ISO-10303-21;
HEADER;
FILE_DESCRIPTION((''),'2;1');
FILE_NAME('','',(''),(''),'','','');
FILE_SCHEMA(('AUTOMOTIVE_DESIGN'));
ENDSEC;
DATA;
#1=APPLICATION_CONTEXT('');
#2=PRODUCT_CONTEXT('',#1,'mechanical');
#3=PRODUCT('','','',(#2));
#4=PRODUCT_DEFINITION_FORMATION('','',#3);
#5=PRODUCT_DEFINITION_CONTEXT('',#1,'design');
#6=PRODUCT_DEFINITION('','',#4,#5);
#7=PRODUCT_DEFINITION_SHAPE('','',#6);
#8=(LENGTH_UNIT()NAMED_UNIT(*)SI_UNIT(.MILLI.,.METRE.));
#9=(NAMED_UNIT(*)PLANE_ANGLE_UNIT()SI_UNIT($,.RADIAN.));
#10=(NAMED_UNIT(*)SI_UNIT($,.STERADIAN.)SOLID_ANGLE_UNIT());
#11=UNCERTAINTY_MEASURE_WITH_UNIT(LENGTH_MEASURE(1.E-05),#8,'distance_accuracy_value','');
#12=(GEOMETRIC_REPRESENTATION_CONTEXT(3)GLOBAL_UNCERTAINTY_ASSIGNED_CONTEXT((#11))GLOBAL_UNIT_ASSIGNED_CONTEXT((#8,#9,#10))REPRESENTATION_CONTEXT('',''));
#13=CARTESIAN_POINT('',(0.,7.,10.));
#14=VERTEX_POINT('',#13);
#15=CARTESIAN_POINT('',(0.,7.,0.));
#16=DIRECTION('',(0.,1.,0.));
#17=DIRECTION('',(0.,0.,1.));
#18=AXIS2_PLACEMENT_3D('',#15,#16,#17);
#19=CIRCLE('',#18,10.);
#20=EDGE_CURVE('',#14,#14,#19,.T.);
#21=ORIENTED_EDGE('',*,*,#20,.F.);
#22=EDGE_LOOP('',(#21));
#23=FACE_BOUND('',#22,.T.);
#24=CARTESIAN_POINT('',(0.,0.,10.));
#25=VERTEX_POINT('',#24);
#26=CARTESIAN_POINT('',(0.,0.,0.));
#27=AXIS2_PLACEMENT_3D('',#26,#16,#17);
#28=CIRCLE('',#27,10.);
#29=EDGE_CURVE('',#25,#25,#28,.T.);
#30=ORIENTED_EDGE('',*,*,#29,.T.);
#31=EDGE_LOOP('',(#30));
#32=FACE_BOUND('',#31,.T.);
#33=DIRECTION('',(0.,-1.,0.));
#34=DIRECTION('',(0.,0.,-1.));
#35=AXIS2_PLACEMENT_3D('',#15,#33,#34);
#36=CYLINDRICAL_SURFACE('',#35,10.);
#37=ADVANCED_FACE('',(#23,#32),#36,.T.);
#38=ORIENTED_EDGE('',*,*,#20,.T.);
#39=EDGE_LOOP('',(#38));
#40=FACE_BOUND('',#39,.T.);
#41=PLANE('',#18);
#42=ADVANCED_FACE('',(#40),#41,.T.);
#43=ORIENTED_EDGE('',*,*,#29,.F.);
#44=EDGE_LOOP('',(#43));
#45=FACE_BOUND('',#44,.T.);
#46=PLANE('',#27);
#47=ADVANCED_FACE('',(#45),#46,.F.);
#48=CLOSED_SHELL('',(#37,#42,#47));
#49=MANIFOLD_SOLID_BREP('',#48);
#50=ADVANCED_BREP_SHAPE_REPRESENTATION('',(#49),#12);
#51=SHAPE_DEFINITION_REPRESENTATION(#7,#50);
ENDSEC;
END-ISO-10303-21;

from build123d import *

# Parameters (mm, degrees)
ESQUISSE1_R        = 10
BOSS_EXTRU_1_DEPTH = 7


with BuildPart() as part:
    # Esquisse1 → Boss.-Extru.1 (new body)
    with BuildSketch(Plane(origin=(0, 0, 0), x_dir=(1, 0, 0), z_dir=(0, 1, 0))):
        with Locations(Location((0, 0, 0), (0, 0, 270))):
            Circle(ESQUISSE1_R)
    extrude(amount=BOSS_EXTRU_1_DEPTH)


solid = part.part
